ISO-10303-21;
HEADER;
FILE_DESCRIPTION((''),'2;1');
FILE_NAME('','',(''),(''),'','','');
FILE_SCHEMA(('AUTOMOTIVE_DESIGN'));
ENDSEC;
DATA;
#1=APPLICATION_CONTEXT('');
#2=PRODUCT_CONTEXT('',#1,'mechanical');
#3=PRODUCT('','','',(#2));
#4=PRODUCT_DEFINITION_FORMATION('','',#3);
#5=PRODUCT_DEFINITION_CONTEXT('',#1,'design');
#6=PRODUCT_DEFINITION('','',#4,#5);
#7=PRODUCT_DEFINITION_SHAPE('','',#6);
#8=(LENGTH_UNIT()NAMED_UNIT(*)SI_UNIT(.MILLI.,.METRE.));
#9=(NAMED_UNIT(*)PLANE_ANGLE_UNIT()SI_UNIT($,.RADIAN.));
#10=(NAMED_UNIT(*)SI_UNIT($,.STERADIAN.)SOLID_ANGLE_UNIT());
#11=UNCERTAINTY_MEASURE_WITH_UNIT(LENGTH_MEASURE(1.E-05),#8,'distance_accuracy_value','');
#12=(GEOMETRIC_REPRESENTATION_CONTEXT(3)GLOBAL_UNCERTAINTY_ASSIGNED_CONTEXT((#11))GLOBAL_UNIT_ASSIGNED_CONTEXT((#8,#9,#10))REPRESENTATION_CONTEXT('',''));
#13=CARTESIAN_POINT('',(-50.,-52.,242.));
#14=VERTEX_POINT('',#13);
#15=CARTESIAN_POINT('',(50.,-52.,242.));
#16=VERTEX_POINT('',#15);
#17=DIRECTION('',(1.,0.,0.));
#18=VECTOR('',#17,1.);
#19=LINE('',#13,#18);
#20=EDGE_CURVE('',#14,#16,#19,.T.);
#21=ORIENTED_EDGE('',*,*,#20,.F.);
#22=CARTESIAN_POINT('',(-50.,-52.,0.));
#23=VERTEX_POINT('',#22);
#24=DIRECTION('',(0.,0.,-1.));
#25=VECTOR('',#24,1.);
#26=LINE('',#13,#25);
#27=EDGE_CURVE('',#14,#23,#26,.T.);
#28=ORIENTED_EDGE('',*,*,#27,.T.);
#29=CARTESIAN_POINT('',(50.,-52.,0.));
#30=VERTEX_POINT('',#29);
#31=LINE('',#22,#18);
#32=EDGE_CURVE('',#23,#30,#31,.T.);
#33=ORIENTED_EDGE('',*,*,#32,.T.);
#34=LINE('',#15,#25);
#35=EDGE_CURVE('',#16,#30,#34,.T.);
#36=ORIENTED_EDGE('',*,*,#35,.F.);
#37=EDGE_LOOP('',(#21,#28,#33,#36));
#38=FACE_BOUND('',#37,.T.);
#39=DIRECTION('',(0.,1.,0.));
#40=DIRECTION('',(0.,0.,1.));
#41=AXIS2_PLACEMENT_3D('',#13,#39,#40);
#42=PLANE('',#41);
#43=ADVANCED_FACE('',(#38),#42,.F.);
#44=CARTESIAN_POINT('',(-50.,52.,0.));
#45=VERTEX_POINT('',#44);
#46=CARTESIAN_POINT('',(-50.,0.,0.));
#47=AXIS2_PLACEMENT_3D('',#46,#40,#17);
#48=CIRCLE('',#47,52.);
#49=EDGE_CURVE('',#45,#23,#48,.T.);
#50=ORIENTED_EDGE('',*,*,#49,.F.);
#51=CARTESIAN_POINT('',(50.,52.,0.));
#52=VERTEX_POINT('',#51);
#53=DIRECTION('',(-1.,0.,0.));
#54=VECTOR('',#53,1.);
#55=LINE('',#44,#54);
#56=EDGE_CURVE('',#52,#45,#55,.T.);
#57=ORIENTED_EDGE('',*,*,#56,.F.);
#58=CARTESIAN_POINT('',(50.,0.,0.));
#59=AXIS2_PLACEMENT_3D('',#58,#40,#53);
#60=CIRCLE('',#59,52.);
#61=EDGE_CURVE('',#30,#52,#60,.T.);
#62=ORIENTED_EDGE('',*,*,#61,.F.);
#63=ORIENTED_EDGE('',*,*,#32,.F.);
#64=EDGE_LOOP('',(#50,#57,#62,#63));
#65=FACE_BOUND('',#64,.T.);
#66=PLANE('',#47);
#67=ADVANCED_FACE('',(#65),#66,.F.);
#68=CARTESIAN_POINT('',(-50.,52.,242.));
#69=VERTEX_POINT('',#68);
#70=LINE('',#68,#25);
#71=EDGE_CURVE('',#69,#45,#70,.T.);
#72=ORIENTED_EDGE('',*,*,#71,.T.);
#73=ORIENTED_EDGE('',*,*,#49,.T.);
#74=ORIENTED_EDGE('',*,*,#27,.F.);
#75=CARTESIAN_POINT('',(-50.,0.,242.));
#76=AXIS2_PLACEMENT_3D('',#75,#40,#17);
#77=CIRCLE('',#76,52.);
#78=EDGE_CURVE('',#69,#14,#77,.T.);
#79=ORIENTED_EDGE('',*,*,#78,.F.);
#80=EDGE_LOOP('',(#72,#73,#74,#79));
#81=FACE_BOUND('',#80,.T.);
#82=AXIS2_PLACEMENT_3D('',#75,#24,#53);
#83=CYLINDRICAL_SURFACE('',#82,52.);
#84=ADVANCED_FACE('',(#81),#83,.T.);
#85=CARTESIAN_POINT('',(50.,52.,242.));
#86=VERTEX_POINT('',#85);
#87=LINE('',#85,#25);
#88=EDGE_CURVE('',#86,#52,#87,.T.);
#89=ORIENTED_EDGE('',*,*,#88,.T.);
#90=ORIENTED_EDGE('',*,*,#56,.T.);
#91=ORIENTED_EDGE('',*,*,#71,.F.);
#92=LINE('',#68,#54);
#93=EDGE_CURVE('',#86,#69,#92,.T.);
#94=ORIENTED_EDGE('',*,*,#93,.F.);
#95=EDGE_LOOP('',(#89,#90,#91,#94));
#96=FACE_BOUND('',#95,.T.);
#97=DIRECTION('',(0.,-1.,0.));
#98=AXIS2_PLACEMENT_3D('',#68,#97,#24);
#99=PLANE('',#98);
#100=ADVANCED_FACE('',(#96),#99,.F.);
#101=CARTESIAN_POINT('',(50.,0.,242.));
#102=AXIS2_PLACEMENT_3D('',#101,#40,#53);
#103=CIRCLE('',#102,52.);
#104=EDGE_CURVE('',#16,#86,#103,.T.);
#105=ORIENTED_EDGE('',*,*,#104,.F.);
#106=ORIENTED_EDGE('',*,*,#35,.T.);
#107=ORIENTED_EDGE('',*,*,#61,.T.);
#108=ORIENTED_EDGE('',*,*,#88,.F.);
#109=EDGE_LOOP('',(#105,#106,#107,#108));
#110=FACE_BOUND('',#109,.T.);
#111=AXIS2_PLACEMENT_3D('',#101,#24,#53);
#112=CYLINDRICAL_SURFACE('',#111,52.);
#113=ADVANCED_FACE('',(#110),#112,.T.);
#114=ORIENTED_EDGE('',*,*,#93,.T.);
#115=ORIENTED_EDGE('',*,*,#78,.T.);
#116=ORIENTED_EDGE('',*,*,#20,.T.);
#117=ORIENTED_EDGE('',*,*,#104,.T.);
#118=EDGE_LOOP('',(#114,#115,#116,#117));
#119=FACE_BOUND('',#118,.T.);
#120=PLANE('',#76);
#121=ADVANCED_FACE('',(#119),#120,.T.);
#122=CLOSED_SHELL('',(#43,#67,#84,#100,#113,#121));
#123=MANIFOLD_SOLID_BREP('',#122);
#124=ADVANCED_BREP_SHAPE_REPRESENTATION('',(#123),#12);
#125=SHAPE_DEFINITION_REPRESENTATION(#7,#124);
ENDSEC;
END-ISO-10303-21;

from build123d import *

# Parameters (mm, degrees)
EXTRUDE_1_DEPTH = 242


with BuildPart() as part:
    # 草图1 → 凸台-拉伸1 (new body)
    with BuildSketch(Plane.XY):
        with BuildLine():
            Line((-50, 52), (50, 52))
            ThreePointArc((50, 52), (102, 0), (50, -52))
            Line((50, -52), (-50, -52))
            ThreePointArc((-50, -52), (-102, 0), (-50, 52))
        make_face()
    extrude(amount=EXTRUDE_1_DEPTH)


solid = part.part
